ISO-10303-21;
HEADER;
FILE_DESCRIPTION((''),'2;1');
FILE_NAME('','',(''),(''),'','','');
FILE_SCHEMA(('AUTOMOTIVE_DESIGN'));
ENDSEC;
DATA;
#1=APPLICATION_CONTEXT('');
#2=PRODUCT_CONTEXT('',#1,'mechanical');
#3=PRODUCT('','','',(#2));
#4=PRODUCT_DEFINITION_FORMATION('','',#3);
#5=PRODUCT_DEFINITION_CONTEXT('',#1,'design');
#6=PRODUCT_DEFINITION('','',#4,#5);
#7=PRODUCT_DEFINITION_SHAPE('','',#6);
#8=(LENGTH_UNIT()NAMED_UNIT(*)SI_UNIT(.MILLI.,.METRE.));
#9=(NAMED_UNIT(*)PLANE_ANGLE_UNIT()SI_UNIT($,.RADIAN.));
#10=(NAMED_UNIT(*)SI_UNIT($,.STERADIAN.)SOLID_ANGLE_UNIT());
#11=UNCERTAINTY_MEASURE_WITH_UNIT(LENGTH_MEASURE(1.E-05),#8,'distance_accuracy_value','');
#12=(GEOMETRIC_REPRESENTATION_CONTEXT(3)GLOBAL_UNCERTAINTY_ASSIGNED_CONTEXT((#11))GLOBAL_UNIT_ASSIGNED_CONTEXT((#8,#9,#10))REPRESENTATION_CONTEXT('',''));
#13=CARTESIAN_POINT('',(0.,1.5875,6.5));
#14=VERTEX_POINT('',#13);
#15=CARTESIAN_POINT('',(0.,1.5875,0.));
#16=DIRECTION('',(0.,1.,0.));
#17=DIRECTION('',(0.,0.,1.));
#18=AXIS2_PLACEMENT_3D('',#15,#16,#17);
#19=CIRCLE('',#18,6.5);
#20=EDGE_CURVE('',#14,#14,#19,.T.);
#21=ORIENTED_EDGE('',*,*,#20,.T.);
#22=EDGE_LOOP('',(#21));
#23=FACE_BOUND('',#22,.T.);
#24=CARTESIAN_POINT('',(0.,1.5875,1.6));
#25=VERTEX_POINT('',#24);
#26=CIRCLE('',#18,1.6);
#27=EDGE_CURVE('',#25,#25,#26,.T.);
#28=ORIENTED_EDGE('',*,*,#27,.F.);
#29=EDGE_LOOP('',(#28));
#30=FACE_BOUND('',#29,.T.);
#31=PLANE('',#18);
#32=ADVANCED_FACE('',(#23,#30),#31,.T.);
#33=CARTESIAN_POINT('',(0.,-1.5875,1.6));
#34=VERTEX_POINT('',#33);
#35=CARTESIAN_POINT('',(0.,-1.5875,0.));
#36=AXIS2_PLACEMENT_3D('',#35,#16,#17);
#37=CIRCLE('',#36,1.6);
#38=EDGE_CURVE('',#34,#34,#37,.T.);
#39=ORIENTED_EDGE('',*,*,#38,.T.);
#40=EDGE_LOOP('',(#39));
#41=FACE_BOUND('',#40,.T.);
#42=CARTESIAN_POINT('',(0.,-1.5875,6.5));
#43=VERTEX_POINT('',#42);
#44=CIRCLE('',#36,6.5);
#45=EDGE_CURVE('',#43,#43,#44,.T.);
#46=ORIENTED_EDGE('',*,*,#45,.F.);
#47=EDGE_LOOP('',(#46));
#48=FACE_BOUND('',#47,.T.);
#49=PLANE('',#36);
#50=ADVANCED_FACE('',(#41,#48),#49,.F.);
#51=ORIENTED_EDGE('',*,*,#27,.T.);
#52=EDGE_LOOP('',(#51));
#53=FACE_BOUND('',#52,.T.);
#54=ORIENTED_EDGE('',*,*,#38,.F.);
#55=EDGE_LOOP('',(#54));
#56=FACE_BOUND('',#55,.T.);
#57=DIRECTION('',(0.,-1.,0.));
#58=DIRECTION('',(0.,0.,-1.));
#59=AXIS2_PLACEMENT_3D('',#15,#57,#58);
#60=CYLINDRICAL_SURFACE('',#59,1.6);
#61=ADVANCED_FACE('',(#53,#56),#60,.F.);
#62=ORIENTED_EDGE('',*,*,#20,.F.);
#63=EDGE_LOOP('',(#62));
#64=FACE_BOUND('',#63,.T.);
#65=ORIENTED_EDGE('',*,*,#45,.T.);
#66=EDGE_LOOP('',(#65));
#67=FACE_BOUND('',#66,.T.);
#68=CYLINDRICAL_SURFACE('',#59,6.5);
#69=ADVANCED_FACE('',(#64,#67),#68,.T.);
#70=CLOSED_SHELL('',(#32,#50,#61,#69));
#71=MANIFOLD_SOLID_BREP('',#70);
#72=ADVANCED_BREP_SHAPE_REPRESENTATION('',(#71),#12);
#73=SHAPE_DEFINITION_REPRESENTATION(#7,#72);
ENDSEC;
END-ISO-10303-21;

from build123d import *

# Parameters (mm, degrees)
SKETCH1_R           = 6.5
SKETCH1_R_2         = 1.6
BOSS_EXTRUDE1_DEPTH = 1.5875


with BuildPart() as part:
    # Sketch1 → Boss-Extrude1 (new body, symmetric)
    with BuildSketch(Plane(origin=(0, 0, 0), x_dir=(1, 0, 0), z_dir=(0, 1, 0))):
        Circle(SKETCH1_R)
        Circle(SKETCH1_R_2, mode=Mode.SUBTRACT)
    extrude(amount=BOSS_EXTRUDE1_DEPTH, both=True)


solid = part.part
